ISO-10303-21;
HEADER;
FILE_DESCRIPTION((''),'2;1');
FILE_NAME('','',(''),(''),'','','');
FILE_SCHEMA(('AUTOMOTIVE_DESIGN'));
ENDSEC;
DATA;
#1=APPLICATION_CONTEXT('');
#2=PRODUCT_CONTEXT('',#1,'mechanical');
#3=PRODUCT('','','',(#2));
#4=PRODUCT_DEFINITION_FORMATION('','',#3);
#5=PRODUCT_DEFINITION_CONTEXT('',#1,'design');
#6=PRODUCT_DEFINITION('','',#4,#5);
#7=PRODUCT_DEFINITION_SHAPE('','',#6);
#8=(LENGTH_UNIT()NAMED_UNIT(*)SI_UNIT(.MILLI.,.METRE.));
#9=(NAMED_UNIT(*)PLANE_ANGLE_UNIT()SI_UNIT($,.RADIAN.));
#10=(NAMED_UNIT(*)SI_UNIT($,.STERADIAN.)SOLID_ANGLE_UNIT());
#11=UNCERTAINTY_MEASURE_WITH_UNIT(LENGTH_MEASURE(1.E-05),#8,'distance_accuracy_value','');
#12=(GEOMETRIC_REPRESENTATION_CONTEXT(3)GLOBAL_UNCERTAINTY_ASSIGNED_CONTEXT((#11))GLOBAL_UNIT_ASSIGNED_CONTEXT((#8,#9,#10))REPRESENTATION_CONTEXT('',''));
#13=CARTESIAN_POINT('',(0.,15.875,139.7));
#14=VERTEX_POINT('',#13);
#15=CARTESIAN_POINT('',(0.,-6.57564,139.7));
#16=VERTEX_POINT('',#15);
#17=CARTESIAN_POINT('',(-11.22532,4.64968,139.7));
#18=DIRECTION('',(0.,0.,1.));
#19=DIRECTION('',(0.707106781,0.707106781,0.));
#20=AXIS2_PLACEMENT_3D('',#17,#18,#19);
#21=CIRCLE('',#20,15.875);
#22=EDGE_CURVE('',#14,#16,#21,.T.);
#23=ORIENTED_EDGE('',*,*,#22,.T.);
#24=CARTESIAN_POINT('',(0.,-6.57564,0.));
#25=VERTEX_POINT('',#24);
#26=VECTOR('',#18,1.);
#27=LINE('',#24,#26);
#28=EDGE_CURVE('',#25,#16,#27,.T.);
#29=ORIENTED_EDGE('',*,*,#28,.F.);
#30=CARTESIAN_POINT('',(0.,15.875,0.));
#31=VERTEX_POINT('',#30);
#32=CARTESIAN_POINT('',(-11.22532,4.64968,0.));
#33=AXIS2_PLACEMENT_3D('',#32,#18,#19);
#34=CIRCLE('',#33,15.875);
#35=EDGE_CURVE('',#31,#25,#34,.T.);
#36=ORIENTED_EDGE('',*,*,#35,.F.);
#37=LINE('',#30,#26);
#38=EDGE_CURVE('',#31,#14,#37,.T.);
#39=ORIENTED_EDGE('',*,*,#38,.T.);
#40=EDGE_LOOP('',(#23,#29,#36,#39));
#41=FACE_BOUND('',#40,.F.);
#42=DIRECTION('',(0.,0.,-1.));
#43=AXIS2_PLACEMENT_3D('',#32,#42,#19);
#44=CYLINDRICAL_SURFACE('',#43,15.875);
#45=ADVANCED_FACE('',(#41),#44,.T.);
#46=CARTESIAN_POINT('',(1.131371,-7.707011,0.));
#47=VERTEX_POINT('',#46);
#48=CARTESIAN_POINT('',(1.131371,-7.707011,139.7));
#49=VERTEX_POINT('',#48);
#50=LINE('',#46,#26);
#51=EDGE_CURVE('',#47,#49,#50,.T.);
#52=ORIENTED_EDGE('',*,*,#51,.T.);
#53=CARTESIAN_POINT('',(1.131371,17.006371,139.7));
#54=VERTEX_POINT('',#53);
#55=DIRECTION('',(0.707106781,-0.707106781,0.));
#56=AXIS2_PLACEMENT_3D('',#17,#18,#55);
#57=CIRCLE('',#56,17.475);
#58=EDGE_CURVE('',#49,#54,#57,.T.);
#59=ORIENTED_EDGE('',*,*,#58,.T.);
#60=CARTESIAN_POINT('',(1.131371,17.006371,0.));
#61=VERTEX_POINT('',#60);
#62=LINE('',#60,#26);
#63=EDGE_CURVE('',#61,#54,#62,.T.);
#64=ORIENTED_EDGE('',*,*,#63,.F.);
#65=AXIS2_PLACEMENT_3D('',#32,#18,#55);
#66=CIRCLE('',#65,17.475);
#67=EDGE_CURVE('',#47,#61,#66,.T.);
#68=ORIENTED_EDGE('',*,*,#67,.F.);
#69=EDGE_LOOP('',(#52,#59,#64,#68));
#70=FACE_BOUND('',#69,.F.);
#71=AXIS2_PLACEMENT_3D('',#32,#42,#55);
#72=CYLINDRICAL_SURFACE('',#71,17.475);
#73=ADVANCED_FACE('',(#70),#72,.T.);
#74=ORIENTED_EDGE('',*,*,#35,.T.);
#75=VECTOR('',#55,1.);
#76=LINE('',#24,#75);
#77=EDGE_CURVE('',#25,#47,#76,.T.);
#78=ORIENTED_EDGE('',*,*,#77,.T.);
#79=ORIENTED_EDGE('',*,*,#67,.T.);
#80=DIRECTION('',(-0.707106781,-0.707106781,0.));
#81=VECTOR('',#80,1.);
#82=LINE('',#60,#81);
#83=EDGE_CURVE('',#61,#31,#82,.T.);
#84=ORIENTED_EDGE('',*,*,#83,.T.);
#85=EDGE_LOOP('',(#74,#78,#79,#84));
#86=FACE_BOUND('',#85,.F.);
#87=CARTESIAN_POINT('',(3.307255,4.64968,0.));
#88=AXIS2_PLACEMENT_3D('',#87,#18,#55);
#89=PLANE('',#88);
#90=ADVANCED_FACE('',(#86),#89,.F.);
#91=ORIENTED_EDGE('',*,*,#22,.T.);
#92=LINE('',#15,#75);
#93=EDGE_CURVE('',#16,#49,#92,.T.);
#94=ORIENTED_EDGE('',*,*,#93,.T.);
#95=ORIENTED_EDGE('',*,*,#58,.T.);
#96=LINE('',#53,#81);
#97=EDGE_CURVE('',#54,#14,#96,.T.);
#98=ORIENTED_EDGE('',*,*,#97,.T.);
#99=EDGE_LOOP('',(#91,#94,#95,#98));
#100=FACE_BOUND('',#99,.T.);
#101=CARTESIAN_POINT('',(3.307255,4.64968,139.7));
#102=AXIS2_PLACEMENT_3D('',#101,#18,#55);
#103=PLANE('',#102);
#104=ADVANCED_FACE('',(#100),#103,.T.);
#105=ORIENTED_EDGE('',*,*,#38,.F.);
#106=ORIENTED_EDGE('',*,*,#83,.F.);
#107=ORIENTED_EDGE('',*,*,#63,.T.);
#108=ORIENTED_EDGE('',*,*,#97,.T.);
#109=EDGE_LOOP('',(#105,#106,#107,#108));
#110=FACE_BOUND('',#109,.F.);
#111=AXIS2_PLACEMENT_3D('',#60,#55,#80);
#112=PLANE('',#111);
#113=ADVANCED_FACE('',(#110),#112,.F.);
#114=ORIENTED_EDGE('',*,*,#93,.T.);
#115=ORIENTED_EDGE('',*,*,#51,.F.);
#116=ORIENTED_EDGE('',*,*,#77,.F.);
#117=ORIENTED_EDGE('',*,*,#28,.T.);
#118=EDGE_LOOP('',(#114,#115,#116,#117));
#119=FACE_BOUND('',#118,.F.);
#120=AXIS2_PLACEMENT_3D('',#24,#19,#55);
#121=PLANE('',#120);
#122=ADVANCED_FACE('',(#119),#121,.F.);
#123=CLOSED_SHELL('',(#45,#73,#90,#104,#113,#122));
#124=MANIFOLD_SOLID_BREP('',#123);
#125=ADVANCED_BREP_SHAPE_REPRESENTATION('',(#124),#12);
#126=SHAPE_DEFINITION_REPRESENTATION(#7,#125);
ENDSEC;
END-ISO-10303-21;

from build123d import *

# Parameters (mm, degrees)
F1_DEPTH = 139.7
F2_ANGLE = 45


with BuildPart() as f1:
    # F0 (on Top) → F1 (new body)
    with BuildSketch(Plane.XY):
        with BuildLine():
            Line((15.875, 0), (17.475, 0))
            ThreePointArc((17.475, 0), (12.3566910012, 12.3566910012), (0, 17.475))
            Line((0, 17.475), (0, 15.875))
            ThreePointArc((0, 15.875), (11.2253201513, 11.2253201513), (15.875, 0))
        make_face()
        with BuildLine():
            ThreePointArc((0, 15.875), (-11.2253201513, -11.2253201513), (15.875, 0))
            Line((15.875, 0), (0, 0))
            Line((0, 0), (0, 15.875))
        make_face()
        with BuildLine():
            Line((0, 0), (15.875, 0))
            ThreePointArc((15.875, 0), (11.2253201513, 11.2253201513), (0, 15.875))
            Line((0, 15.875), (0, 0))
        make_face()
    extrude(amount=F1_DEPTH)


with BuildPart() as f1_1:
    # F2: moved
    add(f1.part.rotate(Axis((0, 15.875, 69.85), (0, 0, -1)), F2_ANGLE))


solid = f1_1.part
